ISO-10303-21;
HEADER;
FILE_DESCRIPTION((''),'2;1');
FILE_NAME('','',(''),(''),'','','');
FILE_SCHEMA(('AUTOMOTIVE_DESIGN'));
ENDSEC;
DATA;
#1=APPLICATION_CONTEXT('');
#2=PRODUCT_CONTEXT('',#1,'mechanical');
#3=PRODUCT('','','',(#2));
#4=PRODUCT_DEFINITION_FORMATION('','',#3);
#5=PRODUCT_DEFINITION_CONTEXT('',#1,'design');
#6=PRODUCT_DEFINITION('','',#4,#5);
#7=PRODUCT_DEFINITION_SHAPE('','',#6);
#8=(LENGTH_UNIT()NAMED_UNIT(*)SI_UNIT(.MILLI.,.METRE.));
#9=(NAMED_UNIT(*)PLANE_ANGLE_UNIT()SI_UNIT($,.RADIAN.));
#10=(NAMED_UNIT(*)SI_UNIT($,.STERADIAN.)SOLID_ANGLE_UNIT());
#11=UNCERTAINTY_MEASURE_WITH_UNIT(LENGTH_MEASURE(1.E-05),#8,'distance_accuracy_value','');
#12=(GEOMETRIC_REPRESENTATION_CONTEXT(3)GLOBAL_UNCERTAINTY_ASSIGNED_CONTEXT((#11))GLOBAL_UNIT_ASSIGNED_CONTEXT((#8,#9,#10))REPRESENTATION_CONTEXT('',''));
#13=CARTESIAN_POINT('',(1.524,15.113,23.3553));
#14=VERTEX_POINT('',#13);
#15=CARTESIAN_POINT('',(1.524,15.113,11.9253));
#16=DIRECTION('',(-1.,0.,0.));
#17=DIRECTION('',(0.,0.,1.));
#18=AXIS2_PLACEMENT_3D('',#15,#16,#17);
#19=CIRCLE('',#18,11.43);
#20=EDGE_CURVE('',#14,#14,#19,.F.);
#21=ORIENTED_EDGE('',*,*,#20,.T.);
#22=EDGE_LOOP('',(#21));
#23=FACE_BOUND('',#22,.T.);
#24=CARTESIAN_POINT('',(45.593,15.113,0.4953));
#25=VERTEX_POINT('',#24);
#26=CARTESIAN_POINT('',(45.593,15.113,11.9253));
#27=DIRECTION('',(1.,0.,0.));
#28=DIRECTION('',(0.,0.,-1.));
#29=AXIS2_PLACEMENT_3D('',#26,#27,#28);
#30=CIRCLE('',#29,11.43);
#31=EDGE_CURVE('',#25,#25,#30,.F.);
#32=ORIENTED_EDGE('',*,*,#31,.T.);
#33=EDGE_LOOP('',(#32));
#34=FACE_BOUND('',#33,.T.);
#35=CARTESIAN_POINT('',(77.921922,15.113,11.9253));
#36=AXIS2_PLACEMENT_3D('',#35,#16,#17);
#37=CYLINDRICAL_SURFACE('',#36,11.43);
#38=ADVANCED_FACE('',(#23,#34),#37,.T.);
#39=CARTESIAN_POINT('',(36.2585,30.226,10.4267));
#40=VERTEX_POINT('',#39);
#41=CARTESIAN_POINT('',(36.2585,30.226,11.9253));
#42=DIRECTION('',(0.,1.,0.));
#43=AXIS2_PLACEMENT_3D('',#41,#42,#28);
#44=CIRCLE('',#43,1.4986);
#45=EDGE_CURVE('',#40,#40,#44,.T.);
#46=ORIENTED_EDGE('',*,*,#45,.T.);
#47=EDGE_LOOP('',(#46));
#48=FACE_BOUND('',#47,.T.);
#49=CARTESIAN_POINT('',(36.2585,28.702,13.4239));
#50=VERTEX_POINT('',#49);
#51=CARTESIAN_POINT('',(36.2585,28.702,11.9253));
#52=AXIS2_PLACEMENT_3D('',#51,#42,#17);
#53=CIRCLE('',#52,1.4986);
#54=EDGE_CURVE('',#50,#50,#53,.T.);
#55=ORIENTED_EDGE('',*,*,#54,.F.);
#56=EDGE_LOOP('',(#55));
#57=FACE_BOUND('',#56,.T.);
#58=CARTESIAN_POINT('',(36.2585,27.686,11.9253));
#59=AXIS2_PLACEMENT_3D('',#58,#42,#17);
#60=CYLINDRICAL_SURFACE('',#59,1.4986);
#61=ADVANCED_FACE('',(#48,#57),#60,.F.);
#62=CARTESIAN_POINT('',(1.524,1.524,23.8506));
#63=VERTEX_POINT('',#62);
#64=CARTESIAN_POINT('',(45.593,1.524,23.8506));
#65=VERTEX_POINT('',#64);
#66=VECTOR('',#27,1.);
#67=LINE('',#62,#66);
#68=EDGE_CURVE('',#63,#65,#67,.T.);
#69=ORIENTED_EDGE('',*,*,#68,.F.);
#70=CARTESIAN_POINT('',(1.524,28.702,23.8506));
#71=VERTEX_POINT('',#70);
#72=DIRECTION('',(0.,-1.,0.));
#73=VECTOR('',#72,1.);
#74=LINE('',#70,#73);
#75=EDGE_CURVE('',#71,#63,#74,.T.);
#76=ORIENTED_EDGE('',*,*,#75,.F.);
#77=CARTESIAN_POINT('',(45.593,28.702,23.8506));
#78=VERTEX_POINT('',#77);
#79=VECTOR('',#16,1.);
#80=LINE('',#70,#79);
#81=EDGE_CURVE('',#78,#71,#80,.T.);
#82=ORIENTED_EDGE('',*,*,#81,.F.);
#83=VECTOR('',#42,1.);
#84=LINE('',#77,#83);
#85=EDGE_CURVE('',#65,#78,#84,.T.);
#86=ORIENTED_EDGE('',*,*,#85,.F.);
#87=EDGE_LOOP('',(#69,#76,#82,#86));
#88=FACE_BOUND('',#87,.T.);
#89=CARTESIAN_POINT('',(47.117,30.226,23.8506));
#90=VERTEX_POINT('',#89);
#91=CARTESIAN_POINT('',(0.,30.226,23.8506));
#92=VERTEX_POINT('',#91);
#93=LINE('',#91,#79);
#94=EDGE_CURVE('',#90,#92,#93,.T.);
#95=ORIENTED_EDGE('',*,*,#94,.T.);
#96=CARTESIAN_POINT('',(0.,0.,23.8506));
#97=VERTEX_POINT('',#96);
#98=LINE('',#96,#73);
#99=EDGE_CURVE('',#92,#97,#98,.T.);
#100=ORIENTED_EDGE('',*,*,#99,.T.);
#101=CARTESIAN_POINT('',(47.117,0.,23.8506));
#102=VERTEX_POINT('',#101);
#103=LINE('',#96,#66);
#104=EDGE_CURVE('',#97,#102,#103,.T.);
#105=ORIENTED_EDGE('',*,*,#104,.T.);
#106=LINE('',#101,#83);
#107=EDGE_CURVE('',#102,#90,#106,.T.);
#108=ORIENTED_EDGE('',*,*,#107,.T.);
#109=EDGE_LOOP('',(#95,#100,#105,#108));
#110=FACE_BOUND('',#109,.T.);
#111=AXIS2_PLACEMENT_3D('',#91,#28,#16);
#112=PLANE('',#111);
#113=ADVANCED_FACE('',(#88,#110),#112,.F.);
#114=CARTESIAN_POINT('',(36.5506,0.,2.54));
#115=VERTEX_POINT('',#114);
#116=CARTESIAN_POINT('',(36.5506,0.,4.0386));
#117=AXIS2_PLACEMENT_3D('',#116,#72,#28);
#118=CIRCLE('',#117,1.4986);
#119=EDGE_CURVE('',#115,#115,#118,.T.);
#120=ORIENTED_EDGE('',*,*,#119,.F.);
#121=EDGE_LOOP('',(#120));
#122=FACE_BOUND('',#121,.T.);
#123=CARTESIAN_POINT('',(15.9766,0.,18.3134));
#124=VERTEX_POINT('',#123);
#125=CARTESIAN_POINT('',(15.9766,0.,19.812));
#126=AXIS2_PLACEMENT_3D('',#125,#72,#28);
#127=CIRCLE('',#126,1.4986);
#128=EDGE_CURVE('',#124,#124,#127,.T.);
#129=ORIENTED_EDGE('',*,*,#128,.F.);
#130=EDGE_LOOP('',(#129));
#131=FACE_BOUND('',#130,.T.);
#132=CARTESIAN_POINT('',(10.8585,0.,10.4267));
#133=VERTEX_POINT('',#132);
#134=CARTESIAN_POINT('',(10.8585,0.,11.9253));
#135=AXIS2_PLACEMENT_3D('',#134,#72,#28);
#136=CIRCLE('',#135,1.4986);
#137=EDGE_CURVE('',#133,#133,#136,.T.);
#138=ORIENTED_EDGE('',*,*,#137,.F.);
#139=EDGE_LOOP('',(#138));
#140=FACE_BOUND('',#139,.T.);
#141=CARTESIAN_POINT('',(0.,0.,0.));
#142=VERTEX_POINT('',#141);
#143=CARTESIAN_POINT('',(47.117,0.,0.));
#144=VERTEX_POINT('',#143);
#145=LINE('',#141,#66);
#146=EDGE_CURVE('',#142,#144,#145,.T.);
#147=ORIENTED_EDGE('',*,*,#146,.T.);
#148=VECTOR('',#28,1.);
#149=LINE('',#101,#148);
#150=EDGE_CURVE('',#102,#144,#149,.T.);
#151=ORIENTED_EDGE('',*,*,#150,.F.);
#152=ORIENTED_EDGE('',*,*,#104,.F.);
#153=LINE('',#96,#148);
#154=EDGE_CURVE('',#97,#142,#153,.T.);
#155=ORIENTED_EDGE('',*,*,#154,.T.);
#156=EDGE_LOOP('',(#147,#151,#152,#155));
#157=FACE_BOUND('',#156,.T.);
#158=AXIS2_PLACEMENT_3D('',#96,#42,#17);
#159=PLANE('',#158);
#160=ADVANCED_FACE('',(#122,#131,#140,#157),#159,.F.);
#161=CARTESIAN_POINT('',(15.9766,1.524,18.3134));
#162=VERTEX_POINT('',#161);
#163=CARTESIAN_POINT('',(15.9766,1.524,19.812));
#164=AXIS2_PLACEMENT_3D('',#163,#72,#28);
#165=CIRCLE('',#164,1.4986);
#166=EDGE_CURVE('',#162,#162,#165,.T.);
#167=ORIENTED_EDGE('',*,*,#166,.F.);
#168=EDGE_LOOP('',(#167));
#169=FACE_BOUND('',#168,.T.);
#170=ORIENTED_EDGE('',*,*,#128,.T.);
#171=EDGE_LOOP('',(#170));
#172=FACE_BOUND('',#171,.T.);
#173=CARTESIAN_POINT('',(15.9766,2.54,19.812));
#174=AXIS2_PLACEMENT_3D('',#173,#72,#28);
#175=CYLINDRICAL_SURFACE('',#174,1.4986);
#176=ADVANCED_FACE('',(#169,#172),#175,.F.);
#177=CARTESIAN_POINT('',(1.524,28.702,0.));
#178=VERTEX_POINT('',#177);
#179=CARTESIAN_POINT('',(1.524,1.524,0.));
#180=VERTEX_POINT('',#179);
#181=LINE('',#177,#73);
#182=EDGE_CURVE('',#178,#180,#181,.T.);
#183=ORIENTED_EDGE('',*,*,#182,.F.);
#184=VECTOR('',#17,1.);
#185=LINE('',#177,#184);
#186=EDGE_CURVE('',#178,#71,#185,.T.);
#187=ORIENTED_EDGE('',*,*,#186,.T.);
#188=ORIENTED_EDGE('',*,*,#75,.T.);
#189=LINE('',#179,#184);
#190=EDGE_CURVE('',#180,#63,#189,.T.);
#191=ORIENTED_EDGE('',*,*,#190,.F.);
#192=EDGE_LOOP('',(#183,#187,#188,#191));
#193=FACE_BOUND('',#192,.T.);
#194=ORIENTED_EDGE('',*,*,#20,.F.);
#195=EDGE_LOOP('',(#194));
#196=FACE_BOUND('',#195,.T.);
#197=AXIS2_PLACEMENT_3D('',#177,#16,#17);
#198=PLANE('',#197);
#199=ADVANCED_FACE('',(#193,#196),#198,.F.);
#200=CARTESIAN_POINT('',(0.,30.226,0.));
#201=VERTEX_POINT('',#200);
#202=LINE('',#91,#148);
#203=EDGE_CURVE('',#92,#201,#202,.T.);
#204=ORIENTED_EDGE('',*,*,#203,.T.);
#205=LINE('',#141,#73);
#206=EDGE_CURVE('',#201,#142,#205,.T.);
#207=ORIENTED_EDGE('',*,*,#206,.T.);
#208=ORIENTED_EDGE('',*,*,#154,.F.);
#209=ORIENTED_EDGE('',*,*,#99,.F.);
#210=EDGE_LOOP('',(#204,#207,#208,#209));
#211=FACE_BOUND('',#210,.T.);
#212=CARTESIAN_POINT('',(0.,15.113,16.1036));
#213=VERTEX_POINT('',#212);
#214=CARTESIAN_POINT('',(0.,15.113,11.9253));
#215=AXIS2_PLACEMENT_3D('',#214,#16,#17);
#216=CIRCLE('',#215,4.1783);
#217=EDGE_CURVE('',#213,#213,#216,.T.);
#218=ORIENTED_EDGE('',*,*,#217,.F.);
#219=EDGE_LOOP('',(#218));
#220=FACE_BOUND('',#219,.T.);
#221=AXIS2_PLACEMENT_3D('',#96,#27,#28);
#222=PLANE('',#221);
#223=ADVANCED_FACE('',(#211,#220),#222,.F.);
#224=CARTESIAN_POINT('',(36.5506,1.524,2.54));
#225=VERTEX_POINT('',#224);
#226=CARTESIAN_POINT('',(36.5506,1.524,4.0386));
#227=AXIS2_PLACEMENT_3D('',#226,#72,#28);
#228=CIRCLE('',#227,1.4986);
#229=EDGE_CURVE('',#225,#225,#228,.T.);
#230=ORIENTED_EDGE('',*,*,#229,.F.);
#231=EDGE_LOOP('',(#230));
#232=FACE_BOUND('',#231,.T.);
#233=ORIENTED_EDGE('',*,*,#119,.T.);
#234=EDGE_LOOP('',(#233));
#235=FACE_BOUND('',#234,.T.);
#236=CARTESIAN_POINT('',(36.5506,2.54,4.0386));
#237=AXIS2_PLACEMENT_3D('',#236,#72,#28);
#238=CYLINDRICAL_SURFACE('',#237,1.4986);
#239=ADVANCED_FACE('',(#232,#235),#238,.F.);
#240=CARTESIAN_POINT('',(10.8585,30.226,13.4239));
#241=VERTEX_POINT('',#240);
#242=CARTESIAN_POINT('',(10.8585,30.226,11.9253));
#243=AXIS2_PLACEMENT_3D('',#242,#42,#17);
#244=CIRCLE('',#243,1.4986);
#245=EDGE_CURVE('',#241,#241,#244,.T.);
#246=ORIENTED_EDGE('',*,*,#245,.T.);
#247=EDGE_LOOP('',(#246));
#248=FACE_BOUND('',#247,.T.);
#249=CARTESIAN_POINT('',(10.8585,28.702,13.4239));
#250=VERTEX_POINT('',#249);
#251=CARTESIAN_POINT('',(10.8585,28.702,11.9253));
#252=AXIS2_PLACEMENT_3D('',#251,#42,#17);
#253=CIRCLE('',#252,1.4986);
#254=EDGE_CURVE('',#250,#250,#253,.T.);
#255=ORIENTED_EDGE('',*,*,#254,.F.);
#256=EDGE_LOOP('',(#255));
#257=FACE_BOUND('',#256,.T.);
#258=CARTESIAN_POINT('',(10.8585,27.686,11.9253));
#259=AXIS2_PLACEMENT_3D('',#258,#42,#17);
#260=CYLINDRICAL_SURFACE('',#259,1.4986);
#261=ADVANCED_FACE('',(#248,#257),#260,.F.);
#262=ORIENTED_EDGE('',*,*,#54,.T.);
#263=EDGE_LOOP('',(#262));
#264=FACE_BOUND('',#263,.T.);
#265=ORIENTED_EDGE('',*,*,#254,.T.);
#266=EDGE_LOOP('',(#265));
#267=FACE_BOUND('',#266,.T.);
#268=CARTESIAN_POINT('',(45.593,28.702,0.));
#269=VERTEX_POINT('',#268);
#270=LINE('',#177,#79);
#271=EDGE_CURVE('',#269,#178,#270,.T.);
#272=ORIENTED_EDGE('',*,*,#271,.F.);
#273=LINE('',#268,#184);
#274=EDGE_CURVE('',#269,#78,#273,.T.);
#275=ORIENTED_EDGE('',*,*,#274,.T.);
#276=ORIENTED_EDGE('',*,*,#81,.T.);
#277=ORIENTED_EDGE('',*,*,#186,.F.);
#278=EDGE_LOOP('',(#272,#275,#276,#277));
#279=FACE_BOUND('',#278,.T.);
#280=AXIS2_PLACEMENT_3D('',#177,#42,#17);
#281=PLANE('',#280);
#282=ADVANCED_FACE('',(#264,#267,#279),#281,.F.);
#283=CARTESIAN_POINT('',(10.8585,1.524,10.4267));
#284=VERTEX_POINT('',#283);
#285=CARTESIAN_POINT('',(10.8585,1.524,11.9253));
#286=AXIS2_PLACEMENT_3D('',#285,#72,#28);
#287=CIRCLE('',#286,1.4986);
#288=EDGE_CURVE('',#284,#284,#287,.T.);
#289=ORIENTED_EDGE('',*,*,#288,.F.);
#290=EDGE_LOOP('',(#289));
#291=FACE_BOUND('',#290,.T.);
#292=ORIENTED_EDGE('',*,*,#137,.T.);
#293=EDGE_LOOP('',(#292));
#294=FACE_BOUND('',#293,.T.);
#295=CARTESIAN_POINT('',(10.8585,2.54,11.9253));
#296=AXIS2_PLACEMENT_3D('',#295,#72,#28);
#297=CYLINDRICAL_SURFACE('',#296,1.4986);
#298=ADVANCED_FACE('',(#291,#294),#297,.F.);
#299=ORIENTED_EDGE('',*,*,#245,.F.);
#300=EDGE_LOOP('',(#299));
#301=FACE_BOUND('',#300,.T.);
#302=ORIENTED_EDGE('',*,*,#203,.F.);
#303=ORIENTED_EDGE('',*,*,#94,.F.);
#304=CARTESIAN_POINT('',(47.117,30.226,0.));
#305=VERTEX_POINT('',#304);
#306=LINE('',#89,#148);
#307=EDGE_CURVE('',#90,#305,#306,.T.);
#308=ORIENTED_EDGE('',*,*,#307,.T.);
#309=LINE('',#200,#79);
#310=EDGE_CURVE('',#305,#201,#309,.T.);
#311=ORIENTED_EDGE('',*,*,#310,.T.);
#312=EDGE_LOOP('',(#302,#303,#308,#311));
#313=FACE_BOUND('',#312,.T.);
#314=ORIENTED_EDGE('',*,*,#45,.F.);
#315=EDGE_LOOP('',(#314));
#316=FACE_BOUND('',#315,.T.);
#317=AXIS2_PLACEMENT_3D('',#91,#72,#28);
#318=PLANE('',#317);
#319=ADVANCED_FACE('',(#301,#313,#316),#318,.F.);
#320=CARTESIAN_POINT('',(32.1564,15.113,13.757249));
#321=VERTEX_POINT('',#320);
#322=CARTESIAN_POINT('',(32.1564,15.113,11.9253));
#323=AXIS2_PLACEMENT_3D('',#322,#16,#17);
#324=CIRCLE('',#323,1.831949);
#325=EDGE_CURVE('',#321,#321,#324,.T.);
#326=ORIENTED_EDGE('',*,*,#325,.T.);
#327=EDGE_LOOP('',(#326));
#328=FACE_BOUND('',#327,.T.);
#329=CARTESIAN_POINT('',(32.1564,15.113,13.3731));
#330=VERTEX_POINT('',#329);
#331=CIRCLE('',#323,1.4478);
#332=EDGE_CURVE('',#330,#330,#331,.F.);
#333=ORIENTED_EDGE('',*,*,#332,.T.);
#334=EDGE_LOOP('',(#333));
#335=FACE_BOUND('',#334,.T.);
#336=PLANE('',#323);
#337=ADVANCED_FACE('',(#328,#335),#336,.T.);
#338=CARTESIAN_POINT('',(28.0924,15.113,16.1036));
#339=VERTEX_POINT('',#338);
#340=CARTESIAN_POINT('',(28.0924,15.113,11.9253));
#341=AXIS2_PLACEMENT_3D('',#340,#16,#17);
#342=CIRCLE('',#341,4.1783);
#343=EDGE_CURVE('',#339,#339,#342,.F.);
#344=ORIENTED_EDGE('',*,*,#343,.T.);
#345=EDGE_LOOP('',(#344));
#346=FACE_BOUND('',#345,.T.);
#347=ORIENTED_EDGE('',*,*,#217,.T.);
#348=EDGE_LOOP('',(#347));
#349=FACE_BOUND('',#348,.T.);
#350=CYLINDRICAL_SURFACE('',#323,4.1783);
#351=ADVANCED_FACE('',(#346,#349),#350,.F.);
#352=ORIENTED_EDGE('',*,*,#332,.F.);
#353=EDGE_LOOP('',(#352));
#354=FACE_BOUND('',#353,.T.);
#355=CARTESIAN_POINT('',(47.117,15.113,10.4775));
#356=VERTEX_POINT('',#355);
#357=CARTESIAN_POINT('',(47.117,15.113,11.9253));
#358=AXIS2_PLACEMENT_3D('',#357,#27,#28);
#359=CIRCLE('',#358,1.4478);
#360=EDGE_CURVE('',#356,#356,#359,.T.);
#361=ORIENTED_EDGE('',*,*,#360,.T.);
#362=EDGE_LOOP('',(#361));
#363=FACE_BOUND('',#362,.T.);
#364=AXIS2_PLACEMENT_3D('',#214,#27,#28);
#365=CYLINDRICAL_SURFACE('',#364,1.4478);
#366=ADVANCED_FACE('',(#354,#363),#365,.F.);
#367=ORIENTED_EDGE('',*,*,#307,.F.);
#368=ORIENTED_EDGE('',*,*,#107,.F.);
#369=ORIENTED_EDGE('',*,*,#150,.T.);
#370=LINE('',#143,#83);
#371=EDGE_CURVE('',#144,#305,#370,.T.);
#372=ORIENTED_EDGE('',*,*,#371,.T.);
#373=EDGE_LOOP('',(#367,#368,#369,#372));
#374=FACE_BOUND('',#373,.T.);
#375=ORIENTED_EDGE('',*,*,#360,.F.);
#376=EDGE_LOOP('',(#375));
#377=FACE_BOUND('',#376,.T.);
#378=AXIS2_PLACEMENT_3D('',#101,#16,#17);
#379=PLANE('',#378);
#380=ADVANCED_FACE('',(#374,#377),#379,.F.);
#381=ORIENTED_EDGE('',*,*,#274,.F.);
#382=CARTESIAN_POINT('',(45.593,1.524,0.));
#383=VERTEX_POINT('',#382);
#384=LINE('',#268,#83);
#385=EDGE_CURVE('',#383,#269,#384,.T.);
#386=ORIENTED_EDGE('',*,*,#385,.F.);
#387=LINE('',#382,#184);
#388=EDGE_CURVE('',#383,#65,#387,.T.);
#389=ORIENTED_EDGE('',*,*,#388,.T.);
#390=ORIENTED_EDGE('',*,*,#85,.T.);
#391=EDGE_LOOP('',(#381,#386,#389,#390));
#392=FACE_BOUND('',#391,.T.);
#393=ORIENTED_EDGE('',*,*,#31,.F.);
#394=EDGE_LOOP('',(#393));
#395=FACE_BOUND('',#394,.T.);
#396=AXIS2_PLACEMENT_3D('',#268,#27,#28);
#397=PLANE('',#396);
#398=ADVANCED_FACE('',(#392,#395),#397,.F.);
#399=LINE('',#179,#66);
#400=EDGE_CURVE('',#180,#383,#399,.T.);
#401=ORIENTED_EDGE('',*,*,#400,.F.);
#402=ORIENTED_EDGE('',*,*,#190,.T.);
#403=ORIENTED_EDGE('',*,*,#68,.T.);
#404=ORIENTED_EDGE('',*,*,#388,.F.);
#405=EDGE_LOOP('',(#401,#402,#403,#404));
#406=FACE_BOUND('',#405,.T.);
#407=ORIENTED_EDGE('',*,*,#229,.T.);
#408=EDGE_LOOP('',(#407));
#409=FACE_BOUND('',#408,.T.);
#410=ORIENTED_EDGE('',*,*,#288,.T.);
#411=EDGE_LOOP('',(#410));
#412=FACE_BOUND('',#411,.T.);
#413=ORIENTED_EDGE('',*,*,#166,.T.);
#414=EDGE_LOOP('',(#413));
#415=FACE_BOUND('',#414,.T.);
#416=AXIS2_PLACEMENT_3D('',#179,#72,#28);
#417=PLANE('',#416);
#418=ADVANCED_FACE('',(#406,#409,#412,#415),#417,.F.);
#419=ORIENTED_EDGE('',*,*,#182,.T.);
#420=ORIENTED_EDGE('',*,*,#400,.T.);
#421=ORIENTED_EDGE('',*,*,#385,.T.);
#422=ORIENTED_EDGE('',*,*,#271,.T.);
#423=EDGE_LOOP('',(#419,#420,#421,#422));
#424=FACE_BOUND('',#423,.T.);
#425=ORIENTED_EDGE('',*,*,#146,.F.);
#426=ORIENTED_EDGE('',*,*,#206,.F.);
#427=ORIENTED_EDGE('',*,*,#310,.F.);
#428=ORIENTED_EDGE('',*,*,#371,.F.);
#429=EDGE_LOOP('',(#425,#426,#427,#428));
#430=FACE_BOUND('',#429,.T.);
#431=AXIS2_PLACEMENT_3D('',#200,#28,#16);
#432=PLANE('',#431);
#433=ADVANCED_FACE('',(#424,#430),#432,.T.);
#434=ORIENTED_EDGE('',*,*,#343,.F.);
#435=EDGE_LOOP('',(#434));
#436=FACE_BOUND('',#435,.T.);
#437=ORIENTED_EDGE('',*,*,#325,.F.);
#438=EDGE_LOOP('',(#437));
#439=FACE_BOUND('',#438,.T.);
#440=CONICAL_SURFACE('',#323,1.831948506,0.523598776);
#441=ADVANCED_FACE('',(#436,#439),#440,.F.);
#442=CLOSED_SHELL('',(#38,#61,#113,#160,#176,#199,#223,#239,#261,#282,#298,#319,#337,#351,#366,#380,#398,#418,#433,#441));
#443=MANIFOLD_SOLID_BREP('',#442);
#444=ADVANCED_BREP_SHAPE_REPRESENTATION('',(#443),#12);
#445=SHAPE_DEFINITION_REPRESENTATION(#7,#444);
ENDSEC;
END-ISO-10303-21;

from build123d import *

# Parameters (mm, degrees)
SKETCH1_W           = 47.117
SKETCH1_H           = 30.226
BOSS_EXTRUDE1_DEPTH = 23.8506
SKETCH4_W           = 44.069
SKETCH4_H           = 27.178
CUT_EXTRUDE1_DEPTH  = 61.847957117
SKETCH5_R           = 11.43
BOSS_EXTRUDE3_DEPTH = 44.069
SKETCH3_R           = 1.4986
CUT_EXTRUDE2_DEPTH  = 2.54
CUT_EXTRUDE3_START  = -2.54
SKETCH6_R           = 1.4986
CUT_EXTRUDE3_DEPTH  = 2.54
SKETCH2_R           = 1.4478
CUT_EXTRUDE4_DEPTH  = 61.847957117
SKETCH7_R           = 4.1783
CUT_EXTRUDE5_DEPTH  = 32.1564
CHAMFER1_SIZE       = 4.064
CHAMFER1_SIZE2      = 2.346351494


with BuildPart() as part:
    # Sketch1 → Boss-Extrude1 (new body)
    with BuildSketch(Plane.XY):
        with Locations((23.5585, 15.113)):
            Rectangle(SKETCH1_W, SKETCH1_H)
    extrude(amount=BOSS_EXTRUDE1_DEPTH)

    # Sketch4 → Cut-Extrude1 (cut, through all)
    with BuildSketch(Plane.XY.offset(23.8506)):
        with Locations((23.5585, 15.113)):
            Rectangle(SKETCH4_W, SKETCH4_H)
    extrude(amount=-CUT_EXTRUDE1_DEPTH, mode=Mode.SUBTRACT)

    # Sketch5 → Boss-Extrude3 (add)
    with BuildSketch(Plane(origin=(1.524, 0, 0), x_dir=(0, 0, -1), z_dir=(1, 0, 0))):
        with Locations(Location((-11.9253, 15.113, 0), (0, 0, 180))):
            Circle(SKETCH5_R)
    extrude(amount=BOSS_EXTRUDE3_DEPTH)

    # Sketch3 → Cut-Extrude2 (cut)
    with BuildSketch(Plane(origin=(0, 30.226, 0), x_dir=(1, 0, 0), z_dir=(0, 1, 0))):
        with Locations(Location((10.8585, -11.9253, 0), (0, 0, 270))):
            Circle(SKETCH3_R)
        with Locations(Location((36.2585, -11.9253, 0), (0, 0, 270))):
            Circle(SKETCH3_R)
    extrude(amount=-CUT_EXTRUDE2_DEPTH, mode=Mode.SUBTRACT)

    # Sketch6 → Cut-Extrude3 (cut)
    with BuildSketch(Plane.XZ.offset(CUT_EXTRUDE3_START)):
        with Locations(Location((15.9766, 19.812, 0), (0, 0, 270))):
            Circle(SKETCH6_R)
        with Locations(Location((10.8585, 11.9253, 0), (0, 0, 90))):
            Circle(SKETCH6_R)
        with Locations(Location((36.5506, 4.0386, 0), (0, 0, 270))):
            Circle(SKETCH6_R)
    extrude(amount=CUT_EXTRUDE3_DEPTH, mode=Mode.SUBTRACT)

    # Sketch2 → Cut-Extrude4 (cut, through all)
    with BuildSketch(Plane(origin=(47.117, 0, 0), x_dir=(0, 0, -1), z_dir=(1, 0, 0))):
        with Locations((-11.9253, 15.113)):
            Circle(SKETCH2_R)
    extrude(amount=-CUT_EXTRUDE4_DEPTH, mode=Mode.SUBTRACT)

    # Sketch7 → Cut-Extrude5 (cut)
    with BuildSketch(Plane.ZY):
        with Locations((11.9253, 15.113)):
            Circle(SKETCH7_R)
    extrude(amount=-CUT_EXTRUDE5_DEPTH, mode=Mode.SUBTRACT)

    # Chamfer1
    chamfer1_edges = [part.edges().sort_by_distance(p)[0] for p in [
        (32.1564, 15.113, 7.747),
    ]]
    chamfer1_side = [part.faces().sort_by_distance(p)[0] for p in [
        (16.0782, 15.113, 7.747),
    ]]
    chamfer(chamfer1_edges, length=CHAMFER1_SIZE, length2=CHAMFER1_SIZE2, reference=chamfer1_side[0])


solid = part.part
